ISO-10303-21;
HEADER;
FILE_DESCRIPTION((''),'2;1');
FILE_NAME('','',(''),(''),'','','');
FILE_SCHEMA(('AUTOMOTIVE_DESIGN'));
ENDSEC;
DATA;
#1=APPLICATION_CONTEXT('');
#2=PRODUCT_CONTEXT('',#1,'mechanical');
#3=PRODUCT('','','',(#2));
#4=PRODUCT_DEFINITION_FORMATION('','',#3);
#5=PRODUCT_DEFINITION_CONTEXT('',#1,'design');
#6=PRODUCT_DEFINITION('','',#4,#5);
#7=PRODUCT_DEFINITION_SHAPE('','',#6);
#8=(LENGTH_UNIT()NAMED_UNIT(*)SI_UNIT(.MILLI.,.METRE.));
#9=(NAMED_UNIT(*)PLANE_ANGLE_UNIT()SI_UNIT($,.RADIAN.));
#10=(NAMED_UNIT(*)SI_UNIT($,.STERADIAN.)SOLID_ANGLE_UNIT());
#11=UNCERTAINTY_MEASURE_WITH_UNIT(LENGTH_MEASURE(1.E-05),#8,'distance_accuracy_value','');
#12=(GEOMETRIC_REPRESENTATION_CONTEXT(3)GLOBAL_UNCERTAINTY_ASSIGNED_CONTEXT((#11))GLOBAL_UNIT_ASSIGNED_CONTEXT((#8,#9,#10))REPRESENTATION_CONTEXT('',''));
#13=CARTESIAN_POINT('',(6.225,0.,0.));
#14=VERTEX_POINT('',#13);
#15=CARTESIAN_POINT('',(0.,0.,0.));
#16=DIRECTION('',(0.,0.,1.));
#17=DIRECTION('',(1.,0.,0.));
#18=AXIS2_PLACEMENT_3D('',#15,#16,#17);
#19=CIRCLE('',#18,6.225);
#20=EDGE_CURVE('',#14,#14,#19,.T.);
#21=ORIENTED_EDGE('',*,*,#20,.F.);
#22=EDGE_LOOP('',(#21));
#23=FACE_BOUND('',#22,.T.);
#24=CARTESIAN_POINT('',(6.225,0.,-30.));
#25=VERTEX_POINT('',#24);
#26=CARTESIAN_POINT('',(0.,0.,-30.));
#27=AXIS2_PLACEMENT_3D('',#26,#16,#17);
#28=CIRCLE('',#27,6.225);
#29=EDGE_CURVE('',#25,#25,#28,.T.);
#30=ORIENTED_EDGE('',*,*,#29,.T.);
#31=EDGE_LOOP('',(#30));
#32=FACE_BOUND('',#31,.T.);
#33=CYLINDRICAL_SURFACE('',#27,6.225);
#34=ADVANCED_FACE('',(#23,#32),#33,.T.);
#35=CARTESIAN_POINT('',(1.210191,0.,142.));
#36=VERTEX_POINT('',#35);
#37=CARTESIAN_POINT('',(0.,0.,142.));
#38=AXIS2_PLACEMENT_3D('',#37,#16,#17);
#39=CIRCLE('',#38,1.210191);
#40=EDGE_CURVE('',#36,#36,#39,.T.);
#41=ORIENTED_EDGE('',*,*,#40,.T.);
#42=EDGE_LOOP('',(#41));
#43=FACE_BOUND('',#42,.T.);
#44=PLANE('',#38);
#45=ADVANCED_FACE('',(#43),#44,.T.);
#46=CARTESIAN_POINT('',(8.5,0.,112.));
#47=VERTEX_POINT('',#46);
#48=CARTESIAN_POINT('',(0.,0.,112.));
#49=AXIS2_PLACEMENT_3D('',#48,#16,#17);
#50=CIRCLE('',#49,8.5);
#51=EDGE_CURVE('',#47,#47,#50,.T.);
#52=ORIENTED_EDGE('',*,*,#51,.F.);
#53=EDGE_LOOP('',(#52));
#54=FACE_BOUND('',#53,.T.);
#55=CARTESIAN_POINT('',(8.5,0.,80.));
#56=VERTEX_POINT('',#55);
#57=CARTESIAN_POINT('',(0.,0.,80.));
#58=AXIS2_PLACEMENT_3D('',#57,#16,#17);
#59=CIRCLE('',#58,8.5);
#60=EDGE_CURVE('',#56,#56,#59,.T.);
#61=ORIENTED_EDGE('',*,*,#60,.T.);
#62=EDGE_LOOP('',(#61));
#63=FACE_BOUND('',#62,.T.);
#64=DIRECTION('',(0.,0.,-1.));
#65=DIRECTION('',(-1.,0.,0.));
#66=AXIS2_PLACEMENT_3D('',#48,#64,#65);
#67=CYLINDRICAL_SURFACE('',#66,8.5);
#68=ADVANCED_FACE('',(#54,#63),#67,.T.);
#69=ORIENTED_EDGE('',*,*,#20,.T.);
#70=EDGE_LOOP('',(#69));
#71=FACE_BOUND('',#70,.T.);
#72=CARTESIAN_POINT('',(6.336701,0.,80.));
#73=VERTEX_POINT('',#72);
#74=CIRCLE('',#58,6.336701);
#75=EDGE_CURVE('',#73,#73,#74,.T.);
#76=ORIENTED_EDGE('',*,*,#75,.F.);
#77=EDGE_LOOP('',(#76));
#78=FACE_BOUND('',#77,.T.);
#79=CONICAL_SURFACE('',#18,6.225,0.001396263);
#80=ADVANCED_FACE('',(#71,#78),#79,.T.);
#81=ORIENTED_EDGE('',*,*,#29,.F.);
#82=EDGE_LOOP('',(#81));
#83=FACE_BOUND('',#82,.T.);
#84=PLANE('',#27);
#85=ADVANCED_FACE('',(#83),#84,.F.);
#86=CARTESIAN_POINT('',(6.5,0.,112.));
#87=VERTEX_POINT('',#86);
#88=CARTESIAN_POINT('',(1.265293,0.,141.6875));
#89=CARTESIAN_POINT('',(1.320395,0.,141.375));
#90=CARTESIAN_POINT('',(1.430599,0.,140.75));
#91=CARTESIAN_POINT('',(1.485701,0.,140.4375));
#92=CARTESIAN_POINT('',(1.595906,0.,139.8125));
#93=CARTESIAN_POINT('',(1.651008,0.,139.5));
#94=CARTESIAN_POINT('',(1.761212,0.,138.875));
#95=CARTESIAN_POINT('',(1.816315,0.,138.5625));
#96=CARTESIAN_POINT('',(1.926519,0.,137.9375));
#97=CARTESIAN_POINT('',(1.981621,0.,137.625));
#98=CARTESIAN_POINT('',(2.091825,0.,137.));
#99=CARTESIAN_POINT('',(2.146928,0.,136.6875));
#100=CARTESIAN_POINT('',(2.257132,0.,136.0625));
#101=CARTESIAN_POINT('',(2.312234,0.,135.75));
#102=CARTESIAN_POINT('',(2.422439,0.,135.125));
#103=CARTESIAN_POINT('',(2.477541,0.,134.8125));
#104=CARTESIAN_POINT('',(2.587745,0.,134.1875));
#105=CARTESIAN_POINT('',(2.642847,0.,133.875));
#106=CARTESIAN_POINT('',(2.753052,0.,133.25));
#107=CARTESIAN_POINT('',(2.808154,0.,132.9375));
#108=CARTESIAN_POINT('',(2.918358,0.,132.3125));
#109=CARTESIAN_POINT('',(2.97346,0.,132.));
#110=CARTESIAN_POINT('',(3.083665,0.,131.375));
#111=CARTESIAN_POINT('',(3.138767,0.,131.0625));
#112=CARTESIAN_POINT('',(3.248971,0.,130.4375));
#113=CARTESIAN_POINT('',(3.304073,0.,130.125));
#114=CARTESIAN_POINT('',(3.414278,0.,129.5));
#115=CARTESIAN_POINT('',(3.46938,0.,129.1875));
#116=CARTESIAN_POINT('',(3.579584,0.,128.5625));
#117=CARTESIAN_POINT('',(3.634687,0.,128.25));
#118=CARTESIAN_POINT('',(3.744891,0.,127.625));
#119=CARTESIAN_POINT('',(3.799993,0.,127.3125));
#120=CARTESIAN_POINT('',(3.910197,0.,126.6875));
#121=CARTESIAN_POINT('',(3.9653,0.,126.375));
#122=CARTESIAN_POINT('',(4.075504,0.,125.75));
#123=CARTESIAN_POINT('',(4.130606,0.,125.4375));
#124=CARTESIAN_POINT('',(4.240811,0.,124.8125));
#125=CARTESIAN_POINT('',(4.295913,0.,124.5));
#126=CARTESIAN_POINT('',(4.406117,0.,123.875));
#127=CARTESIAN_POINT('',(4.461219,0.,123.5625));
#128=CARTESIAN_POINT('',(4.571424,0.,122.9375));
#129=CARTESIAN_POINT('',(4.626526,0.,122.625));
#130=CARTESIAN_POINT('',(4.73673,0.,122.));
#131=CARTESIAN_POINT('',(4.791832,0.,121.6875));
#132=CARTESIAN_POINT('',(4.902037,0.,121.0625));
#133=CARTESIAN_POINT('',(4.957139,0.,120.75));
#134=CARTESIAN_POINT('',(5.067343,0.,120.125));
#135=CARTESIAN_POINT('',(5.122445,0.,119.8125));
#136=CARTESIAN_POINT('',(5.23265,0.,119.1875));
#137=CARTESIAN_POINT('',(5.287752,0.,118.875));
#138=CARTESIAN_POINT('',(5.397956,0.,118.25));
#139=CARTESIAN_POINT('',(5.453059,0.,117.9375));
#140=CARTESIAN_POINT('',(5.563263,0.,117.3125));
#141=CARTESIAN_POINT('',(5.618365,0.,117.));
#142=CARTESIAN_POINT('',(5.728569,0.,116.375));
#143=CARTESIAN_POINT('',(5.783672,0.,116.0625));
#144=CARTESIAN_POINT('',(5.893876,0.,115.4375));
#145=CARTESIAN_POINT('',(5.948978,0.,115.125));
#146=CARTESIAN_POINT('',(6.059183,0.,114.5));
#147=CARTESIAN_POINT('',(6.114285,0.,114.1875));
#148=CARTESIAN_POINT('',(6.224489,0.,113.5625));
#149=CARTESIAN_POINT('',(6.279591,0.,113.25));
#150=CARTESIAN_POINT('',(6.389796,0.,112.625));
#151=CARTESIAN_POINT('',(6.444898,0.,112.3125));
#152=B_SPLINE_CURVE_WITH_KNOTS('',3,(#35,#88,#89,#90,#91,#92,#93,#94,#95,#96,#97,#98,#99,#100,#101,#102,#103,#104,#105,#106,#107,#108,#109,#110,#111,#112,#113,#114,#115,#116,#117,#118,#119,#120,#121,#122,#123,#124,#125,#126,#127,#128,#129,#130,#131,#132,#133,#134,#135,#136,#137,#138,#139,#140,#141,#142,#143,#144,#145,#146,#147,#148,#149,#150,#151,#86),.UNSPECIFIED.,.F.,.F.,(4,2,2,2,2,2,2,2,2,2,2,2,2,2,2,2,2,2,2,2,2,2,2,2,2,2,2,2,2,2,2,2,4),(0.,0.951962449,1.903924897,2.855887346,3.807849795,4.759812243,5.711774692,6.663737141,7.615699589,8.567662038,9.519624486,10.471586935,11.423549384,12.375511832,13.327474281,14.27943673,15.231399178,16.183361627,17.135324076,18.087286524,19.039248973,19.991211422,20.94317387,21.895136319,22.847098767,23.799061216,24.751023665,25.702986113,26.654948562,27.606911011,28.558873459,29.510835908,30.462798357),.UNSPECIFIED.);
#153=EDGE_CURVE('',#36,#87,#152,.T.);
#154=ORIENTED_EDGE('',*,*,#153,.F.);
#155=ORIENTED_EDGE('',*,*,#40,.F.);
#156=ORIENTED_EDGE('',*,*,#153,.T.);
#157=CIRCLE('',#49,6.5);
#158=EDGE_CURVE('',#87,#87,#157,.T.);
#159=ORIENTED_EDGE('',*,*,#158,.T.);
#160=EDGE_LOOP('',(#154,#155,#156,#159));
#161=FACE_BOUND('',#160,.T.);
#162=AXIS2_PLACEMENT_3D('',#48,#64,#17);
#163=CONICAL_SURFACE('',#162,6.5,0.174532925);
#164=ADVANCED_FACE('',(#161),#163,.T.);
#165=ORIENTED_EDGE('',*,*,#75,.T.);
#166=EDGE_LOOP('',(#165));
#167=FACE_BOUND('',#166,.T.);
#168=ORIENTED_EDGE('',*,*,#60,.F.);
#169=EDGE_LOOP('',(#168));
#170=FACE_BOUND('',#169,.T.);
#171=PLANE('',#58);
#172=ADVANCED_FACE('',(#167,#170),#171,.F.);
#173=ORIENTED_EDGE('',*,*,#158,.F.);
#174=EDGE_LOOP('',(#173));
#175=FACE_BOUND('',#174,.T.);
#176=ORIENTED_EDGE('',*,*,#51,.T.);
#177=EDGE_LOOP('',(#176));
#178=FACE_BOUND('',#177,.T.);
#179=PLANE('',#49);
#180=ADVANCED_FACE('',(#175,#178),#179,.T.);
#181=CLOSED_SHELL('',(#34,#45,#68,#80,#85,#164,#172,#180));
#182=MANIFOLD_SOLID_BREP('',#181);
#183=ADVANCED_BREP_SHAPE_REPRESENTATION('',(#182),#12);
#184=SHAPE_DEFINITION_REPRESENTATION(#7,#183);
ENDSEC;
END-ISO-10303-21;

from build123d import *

# Parameters (mm, degrees)
SKETCH1_R           = 6.225
BOSS_EXTRUDE1_DEPTH = 80
BOSS_EXTRUDE1_DRAFT = -0.08
SKETCH1_2_R         = 6.225
BOSS_EXTRUDE2_DEPTH = 30
SKETCH2_R           = 8.5
BOSS_EXTRUDE3_DEPTH = 32
SKETCH3_R           = 6.5
BOSS_EXTRUDE4_DEPTH = 30
BOSS_EXTRUDE4_TAPER = 10


with BuildPart() as part:
    # Sketch1 → Boss-Extrude1 (with draft: the straight prism first)
    with BuildSketch(Plane.XY):
        Circle(SKETCH1_R)
    extrude(amount=BOSS_EXTRUDE1_DEPTH)
    # Boss-Extrude1: the draft: its side faces are tilted about the plane it starts from
    boss_extrude1_sides = [part.faces().sort_by_distance(p)[0] for p in [
        (-6.225, 0, 40),
    ]]
    draft(boss_extrude1_sides, Plane.XY, BOSS_EXTRUDE1_DRAFT)

    # Sketch1<2> → Boss-Extrude2 (add)
    with BuildSketch(Plane.XY):
        Circle(SKETCH1_2_R)
    extrude(amount=-BOSS_EXTRUDE2_DEPTH)

    # Sketch2 → Boss-Extrude3 (add)
    with BuildSketch(Plane.XY.offset(80)):
        Circle(SKETCH2_R)
    extrude(amount=BOSS_EXTRUDE3_DEPTH)

    # Sketch3 → Boss-Extrude4 (add)
    with BuildSketch(Plane.XY.offset(112)):
        Circle(SKETCH3_R)
    extrude(amount=BOSS_EXTRUDE4_DEPTH, taper=BOSS_EXTRUDE4_TAPER)


solid = part.part
